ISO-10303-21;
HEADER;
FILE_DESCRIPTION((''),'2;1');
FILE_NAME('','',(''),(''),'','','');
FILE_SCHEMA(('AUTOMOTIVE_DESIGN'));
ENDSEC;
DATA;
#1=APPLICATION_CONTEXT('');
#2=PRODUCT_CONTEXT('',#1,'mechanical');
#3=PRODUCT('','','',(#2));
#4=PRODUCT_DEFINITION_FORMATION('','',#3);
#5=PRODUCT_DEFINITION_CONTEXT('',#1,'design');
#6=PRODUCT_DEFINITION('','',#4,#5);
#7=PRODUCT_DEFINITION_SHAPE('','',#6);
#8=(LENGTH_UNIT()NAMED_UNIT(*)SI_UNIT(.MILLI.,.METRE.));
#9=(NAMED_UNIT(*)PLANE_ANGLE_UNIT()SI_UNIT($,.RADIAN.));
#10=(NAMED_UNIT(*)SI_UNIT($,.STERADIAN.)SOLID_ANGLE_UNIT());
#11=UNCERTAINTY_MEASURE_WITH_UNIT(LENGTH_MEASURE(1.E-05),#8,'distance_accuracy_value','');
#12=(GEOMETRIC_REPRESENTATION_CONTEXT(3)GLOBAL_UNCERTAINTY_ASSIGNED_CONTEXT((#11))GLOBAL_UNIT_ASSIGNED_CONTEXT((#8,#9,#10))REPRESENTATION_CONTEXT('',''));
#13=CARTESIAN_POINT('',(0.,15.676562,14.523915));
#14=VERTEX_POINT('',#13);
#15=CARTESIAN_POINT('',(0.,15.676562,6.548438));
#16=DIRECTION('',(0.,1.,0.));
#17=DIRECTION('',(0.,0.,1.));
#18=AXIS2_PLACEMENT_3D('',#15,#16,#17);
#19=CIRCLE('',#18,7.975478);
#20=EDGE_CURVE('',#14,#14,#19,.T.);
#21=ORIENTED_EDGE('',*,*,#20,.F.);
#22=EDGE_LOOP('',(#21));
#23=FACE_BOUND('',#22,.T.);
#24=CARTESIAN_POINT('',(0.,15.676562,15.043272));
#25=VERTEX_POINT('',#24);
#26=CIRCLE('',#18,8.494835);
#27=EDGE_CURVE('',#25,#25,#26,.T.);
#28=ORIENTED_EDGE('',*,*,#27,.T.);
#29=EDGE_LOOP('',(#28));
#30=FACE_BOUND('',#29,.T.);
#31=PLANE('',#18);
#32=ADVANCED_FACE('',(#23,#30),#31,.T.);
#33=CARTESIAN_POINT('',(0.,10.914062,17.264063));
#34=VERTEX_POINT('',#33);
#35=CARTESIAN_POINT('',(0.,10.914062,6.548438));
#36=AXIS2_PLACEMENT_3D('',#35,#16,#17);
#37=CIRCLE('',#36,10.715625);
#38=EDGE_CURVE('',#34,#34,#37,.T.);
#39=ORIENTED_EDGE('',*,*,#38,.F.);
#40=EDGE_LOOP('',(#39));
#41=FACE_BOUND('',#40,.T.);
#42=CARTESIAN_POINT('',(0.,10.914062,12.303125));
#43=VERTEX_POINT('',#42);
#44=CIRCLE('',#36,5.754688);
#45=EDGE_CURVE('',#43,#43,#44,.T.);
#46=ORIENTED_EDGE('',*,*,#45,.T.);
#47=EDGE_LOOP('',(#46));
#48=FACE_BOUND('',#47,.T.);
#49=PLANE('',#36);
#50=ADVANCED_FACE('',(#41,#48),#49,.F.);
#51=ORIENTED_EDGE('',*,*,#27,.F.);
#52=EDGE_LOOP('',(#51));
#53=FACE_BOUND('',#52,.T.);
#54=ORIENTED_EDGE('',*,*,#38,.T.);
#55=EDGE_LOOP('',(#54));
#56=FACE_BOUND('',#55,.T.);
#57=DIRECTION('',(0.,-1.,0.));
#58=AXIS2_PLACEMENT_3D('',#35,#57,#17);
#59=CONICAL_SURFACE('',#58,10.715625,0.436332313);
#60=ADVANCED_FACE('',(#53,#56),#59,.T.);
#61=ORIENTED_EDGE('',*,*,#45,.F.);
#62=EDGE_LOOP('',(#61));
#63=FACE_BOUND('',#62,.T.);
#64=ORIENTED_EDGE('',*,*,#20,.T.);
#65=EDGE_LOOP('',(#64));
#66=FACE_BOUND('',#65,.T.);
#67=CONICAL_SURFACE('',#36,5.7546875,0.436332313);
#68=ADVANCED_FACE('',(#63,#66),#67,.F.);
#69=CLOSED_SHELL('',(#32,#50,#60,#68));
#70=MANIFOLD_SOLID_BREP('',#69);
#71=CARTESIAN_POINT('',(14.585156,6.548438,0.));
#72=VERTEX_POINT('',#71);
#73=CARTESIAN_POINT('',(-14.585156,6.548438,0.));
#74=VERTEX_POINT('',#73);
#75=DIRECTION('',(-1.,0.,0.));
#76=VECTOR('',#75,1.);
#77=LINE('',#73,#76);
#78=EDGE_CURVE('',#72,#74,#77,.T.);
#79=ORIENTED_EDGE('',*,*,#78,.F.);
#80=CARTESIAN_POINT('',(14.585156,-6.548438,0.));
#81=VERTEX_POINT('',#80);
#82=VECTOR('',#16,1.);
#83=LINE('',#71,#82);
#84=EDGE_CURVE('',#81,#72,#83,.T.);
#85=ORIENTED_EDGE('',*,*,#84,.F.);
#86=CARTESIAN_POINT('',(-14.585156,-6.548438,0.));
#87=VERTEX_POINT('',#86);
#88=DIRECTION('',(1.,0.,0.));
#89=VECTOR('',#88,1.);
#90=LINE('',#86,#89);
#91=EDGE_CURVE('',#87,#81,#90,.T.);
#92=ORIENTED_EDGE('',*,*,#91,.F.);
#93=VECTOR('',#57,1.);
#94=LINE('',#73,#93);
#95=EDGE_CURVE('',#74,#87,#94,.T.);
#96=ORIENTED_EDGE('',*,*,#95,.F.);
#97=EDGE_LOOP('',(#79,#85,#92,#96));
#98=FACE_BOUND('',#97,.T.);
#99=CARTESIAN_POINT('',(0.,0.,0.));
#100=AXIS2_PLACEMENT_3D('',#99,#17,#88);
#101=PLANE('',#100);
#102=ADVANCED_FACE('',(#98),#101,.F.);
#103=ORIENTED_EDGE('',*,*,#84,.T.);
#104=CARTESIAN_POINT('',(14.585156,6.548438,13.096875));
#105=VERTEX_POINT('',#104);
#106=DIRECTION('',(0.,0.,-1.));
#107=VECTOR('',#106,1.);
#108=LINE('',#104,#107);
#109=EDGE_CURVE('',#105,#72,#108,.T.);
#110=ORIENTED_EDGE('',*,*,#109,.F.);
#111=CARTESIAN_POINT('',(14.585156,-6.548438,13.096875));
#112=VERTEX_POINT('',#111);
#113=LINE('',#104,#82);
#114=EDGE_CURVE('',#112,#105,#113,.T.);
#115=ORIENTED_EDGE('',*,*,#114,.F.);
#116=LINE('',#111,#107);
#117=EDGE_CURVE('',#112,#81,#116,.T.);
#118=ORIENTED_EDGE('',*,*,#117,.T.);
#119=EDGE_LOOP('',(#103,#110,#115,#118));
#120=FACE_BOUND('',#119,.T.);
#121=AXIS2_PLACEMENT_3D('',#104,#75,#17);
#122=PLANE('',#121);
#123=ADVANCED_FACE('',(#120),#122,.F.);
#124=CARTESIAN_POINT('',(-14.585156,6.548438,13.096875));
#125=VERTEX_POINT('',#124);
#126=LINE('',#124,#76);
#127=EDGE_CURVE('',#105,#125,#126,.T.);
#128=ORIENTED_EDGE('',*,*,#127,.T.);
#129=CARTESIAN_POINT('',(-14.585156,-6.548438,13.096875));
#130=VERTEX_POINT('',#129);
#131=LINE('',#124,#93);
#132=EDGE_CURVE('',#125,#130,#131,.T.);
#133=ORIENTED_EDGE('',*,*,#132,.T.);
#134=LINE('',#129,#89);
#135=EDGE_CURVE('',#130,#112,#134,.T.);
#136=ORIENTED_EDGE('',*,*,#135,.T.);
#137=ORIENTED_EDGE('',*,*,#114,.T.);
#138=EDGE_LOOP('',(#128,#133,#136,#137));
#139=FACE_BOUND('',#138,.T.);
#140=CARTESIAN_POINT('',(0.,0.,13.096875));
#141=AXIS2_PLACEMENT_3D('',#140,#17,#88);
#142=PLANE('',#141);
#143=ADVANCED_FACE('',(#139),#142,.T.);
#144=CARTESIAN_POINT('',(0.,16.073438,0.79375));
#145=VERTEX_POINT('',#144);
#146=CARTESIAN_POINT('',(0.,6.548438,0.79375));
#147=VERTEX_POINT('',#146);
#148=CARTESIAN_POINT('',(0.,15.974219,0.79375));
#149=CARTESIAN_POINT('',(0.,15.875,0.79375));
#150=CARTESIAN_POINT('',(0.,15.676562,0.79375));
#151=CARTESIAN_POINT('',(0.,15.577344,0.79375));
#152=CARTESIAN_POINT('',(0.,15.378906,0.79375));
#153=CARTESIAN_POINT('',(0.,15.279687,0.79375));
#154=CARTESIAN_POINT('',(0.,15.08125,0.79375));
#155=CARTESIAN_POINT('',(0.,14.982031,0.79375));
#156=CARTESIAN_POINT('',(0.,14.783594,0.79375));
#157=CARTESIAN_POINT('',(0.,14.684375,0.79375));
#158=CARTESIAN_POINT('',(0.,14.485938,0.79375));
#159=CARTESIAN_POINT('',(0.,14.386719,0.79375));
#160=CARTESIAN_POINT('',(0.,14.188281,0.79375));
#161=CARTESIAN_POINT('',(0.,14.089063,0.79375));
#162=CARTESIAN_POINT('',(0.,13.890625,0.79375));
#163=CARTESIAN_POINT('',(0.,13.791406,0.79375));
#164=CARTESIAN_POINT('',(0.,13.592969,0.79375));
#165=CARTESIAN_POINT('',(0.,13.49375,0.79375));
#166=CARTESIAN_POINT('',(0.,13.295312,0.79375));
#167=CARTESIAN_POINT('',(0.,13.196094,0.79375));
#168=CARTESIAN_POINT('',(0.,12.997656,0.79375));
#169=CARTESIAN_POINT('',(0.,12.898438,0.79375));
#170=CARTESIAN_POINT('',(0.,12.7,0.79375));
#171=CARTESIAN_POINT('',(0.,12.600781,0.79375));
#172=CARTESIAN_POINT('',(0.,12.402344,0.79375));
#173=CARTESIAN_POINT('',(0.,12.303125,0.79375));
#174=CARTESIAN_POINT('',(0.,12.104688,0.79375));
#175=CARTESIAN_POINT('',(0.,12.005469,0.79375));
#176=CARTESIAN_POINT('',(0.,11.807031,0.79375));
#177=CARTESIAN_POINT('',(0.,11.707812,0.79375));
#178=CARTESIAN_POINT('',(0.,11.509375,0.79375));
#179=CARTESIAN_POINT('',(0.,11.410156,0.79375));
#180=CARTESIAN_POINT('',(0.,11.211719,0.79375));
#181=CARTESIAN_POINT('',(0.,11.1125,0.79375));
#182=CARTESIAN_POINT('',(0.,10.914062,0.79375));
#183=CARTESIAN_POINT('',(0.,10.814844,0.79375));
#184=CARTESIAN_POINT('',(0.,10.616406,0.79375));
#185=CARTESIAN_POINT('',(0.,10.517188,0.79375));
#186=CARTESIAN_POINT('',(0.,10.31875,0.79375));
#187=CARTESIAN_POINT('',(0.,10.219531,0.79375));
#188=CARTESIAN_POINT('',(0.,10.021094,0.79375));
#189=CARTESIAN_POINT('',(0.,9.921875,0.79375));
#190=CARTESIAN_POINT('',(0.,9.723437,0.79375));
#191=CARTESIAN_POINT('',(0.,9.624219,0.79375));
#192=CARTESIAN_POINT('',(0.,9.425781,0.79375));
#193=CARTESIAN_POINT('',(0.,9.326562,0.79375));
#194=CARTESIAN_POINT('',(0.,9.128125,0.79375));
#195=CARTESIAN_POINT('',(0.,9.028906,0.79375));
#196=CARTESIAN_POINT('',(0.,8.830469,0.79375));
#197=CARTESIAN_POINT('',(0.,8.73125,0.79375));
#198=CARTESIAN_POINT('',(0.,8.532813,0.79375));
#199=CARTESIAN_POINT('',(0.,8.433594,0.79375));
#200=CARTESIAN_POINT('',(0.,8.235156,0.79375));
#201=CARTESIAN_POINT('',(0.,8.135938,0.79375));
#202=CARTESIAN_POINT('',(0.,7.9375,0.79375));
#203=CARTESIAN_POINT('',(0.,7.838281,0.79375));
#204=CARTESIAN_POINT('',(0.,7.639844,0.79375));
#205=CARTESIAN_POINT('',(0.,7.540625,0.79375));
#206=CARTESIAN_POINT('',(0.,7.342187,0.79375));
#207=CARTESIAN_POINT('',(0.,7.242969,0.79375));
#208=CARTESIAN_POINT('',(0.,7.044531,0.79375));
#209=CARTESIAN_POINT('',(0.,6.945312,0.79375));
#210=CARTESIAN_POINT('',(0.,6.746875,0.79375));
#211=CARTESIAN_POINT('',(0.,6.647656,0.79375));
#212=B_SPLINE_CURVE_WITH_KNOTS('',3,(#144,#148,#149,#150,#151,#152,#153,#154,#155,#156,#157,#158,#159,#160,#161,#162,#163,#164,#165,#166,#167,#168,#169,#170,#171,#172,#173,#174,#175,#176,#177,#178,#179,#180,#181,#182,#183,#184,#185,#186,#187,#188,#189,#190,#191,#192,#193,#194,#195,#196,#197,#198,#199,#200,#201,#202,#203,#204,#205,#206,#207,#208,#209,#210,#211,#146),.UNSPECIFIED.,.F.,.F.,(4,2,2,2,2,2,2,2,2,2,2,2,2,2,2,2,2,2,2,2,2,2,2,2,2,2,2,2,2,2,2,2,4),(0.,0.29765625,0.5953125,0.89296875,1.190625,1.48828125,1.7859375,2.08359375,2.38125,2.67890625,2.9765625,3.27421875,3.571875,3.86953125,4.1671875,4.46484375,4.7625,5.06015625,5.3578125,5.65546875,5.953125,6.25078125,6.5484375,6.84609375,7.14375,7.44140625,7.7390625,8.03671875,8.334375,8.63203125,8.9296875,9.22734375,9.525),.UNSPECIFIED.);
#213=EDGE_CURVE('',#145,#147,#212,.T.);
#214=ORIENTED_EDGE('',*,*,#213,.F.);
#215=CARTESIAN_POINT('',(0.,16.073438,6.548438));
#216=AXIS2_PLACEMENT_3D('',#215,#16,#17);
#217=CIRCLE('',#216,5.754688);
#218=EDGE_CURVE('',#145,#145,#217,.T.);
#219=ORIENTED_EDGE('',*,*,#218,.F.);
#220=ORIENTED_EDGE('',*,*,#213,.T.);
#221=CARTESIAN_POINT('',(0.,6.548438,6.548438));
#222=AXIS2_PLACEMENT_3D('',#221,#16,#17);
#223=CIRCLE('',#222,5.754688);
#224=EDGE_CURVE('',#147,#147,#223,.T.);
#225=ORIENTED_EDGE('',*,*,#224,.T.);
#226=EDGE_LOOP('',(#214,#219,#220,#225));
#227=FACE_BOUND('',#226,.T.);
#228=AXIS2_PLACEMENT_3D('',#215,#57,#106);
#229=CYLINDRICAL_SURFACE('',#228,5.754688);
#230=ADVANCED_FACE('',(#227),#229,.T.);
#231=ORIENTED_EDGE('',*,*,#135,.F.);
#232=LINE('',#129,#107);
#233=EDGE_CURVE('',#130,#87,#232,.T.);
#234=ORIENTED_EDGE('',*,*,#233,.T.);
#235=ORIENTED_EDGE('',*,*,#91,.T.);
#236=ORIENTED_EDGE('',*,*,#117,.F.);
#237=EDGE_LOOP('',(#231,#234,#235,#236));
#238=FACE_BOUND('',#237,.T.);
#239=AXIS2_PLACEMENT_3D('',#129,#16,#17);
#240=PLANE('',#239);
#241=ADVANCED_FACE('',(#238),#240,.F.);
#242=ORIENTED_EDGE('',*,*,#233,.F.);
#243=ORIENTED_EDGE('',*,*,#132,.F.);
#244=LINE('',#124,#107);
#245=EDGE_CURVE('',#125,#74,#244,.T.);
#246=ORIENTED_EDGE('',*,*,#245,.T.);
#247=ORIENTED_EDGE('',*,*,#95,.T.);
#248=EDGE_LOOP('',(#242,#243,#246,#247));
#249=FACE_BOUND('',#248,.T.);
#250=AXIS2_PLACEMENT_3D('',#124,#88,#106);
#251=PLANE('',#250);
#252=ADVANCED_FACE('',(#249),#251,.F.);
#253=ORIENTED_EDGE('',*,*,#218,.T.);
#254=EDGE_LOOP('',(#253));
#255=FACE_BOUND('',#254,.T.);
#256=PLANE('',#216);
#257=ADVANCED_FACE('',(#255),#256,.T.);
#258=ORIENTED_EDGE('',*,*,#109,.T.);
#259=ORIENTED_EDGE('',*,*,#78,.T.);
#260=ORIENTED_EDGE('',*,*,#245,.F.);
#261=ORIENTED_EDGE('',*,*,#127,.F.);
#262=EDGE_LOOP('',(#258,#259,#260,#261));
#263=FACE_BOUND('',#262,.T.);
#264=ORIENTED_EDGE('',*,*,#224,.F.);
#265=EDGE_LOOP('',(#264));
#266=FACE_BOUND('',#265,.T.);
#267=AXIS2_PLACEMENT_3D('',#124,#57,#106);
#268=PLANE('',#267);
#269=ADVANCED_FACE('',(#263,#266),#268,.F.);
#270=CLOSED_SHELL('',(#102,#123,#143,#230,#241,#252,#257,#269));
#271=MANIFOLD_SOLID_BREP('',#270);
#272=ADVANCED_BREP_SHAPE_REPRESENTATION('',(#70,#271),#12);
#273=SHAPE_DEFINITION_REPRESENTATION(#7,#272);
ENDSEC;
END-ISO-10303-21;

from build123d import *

# Parameters (mm, degrees)
SKETCH1_W           = 29.1703125
SKETCH1_H           = 13.096875
BOSS_EXTRUDE1_DEPTH = 13.096875
SKETCH2_R           = 5.7546875
BOSS_EXTRUDE2_DEPTH = 9.525
BOSS_EXTRUDE3_START = -5.159375
SKETCH3_R           = 10.715625
SKETCH3_R_2         = 5.7546875
BOSS_EXTRUDE3_DEPTH = 4.7625
BOSS_EXTRUDE3_DRAFT = 25


with BuildPart() as part:
    # Sketch1 → Boss-Extrude1 (new body)
    with BuildSketch(Plane.XY):
        Rectangle(SKETCH1_W, SKETCH1_H)
    extrude(amount=BOSS_EXTRUDE1_DEPTH)

    # Sketch2 → Boss-Extrude2 (add)
    with BuildSketch(Plane(origin=(0, 6.5484375, 0), x_dir=(1, 0, 0), z_dir=(0, 1, 0))):
        with Locations(Location((0, -6.5484375, 0), (0, 0, 90))):
            Circle(SKETCH2_R)
    extrude(amount=BOSS_EXTRUDE2_DEPTH)


with BuildPart() as body_2:
    # Sketch3 → Boss-Extrude3 (with draft: the straight prism first)
    with BuildSketch(Plane(origin=(0, 16.0734375, 0), x_dir=(1, 0, 0), z_dir=(0, 1, 0)).offset(BOSS_EXTRUDE3_START)):
        with Locations((0, -6.5484375)):
            Circle(SKETCH3_R)
        with Locations(Location((0, -6.5484375, 0), (0, 0, 90))):
            Circle(SKETCH3_R_2, mode=Mode.SUBTRACT)
    extrude(amount=BOSS_EXTRUDE3_DEPTH)
    # Boss-Extrude3: the draft: its side faces are tilted about the plane it starts from
    boss_extrude3_sides = [body_2.faces().sort_by_distance(p)[0] for p in [
        (-10.715625, 13.2953125, 6.5484375),
        (0, 13.2953125, 12.303125),
    ]]
    draft(boss_extrude3_sides, Plane(origin=(0, 16.0734375, 0), x_dir=(1, 0, 0), z_dir=(0, 1, 0)).offset(BOSS_EXTRUDE3_START), BOSS_EXTRUDE3_DRAFT)


solid = Compound([part.part, body_2.part])
